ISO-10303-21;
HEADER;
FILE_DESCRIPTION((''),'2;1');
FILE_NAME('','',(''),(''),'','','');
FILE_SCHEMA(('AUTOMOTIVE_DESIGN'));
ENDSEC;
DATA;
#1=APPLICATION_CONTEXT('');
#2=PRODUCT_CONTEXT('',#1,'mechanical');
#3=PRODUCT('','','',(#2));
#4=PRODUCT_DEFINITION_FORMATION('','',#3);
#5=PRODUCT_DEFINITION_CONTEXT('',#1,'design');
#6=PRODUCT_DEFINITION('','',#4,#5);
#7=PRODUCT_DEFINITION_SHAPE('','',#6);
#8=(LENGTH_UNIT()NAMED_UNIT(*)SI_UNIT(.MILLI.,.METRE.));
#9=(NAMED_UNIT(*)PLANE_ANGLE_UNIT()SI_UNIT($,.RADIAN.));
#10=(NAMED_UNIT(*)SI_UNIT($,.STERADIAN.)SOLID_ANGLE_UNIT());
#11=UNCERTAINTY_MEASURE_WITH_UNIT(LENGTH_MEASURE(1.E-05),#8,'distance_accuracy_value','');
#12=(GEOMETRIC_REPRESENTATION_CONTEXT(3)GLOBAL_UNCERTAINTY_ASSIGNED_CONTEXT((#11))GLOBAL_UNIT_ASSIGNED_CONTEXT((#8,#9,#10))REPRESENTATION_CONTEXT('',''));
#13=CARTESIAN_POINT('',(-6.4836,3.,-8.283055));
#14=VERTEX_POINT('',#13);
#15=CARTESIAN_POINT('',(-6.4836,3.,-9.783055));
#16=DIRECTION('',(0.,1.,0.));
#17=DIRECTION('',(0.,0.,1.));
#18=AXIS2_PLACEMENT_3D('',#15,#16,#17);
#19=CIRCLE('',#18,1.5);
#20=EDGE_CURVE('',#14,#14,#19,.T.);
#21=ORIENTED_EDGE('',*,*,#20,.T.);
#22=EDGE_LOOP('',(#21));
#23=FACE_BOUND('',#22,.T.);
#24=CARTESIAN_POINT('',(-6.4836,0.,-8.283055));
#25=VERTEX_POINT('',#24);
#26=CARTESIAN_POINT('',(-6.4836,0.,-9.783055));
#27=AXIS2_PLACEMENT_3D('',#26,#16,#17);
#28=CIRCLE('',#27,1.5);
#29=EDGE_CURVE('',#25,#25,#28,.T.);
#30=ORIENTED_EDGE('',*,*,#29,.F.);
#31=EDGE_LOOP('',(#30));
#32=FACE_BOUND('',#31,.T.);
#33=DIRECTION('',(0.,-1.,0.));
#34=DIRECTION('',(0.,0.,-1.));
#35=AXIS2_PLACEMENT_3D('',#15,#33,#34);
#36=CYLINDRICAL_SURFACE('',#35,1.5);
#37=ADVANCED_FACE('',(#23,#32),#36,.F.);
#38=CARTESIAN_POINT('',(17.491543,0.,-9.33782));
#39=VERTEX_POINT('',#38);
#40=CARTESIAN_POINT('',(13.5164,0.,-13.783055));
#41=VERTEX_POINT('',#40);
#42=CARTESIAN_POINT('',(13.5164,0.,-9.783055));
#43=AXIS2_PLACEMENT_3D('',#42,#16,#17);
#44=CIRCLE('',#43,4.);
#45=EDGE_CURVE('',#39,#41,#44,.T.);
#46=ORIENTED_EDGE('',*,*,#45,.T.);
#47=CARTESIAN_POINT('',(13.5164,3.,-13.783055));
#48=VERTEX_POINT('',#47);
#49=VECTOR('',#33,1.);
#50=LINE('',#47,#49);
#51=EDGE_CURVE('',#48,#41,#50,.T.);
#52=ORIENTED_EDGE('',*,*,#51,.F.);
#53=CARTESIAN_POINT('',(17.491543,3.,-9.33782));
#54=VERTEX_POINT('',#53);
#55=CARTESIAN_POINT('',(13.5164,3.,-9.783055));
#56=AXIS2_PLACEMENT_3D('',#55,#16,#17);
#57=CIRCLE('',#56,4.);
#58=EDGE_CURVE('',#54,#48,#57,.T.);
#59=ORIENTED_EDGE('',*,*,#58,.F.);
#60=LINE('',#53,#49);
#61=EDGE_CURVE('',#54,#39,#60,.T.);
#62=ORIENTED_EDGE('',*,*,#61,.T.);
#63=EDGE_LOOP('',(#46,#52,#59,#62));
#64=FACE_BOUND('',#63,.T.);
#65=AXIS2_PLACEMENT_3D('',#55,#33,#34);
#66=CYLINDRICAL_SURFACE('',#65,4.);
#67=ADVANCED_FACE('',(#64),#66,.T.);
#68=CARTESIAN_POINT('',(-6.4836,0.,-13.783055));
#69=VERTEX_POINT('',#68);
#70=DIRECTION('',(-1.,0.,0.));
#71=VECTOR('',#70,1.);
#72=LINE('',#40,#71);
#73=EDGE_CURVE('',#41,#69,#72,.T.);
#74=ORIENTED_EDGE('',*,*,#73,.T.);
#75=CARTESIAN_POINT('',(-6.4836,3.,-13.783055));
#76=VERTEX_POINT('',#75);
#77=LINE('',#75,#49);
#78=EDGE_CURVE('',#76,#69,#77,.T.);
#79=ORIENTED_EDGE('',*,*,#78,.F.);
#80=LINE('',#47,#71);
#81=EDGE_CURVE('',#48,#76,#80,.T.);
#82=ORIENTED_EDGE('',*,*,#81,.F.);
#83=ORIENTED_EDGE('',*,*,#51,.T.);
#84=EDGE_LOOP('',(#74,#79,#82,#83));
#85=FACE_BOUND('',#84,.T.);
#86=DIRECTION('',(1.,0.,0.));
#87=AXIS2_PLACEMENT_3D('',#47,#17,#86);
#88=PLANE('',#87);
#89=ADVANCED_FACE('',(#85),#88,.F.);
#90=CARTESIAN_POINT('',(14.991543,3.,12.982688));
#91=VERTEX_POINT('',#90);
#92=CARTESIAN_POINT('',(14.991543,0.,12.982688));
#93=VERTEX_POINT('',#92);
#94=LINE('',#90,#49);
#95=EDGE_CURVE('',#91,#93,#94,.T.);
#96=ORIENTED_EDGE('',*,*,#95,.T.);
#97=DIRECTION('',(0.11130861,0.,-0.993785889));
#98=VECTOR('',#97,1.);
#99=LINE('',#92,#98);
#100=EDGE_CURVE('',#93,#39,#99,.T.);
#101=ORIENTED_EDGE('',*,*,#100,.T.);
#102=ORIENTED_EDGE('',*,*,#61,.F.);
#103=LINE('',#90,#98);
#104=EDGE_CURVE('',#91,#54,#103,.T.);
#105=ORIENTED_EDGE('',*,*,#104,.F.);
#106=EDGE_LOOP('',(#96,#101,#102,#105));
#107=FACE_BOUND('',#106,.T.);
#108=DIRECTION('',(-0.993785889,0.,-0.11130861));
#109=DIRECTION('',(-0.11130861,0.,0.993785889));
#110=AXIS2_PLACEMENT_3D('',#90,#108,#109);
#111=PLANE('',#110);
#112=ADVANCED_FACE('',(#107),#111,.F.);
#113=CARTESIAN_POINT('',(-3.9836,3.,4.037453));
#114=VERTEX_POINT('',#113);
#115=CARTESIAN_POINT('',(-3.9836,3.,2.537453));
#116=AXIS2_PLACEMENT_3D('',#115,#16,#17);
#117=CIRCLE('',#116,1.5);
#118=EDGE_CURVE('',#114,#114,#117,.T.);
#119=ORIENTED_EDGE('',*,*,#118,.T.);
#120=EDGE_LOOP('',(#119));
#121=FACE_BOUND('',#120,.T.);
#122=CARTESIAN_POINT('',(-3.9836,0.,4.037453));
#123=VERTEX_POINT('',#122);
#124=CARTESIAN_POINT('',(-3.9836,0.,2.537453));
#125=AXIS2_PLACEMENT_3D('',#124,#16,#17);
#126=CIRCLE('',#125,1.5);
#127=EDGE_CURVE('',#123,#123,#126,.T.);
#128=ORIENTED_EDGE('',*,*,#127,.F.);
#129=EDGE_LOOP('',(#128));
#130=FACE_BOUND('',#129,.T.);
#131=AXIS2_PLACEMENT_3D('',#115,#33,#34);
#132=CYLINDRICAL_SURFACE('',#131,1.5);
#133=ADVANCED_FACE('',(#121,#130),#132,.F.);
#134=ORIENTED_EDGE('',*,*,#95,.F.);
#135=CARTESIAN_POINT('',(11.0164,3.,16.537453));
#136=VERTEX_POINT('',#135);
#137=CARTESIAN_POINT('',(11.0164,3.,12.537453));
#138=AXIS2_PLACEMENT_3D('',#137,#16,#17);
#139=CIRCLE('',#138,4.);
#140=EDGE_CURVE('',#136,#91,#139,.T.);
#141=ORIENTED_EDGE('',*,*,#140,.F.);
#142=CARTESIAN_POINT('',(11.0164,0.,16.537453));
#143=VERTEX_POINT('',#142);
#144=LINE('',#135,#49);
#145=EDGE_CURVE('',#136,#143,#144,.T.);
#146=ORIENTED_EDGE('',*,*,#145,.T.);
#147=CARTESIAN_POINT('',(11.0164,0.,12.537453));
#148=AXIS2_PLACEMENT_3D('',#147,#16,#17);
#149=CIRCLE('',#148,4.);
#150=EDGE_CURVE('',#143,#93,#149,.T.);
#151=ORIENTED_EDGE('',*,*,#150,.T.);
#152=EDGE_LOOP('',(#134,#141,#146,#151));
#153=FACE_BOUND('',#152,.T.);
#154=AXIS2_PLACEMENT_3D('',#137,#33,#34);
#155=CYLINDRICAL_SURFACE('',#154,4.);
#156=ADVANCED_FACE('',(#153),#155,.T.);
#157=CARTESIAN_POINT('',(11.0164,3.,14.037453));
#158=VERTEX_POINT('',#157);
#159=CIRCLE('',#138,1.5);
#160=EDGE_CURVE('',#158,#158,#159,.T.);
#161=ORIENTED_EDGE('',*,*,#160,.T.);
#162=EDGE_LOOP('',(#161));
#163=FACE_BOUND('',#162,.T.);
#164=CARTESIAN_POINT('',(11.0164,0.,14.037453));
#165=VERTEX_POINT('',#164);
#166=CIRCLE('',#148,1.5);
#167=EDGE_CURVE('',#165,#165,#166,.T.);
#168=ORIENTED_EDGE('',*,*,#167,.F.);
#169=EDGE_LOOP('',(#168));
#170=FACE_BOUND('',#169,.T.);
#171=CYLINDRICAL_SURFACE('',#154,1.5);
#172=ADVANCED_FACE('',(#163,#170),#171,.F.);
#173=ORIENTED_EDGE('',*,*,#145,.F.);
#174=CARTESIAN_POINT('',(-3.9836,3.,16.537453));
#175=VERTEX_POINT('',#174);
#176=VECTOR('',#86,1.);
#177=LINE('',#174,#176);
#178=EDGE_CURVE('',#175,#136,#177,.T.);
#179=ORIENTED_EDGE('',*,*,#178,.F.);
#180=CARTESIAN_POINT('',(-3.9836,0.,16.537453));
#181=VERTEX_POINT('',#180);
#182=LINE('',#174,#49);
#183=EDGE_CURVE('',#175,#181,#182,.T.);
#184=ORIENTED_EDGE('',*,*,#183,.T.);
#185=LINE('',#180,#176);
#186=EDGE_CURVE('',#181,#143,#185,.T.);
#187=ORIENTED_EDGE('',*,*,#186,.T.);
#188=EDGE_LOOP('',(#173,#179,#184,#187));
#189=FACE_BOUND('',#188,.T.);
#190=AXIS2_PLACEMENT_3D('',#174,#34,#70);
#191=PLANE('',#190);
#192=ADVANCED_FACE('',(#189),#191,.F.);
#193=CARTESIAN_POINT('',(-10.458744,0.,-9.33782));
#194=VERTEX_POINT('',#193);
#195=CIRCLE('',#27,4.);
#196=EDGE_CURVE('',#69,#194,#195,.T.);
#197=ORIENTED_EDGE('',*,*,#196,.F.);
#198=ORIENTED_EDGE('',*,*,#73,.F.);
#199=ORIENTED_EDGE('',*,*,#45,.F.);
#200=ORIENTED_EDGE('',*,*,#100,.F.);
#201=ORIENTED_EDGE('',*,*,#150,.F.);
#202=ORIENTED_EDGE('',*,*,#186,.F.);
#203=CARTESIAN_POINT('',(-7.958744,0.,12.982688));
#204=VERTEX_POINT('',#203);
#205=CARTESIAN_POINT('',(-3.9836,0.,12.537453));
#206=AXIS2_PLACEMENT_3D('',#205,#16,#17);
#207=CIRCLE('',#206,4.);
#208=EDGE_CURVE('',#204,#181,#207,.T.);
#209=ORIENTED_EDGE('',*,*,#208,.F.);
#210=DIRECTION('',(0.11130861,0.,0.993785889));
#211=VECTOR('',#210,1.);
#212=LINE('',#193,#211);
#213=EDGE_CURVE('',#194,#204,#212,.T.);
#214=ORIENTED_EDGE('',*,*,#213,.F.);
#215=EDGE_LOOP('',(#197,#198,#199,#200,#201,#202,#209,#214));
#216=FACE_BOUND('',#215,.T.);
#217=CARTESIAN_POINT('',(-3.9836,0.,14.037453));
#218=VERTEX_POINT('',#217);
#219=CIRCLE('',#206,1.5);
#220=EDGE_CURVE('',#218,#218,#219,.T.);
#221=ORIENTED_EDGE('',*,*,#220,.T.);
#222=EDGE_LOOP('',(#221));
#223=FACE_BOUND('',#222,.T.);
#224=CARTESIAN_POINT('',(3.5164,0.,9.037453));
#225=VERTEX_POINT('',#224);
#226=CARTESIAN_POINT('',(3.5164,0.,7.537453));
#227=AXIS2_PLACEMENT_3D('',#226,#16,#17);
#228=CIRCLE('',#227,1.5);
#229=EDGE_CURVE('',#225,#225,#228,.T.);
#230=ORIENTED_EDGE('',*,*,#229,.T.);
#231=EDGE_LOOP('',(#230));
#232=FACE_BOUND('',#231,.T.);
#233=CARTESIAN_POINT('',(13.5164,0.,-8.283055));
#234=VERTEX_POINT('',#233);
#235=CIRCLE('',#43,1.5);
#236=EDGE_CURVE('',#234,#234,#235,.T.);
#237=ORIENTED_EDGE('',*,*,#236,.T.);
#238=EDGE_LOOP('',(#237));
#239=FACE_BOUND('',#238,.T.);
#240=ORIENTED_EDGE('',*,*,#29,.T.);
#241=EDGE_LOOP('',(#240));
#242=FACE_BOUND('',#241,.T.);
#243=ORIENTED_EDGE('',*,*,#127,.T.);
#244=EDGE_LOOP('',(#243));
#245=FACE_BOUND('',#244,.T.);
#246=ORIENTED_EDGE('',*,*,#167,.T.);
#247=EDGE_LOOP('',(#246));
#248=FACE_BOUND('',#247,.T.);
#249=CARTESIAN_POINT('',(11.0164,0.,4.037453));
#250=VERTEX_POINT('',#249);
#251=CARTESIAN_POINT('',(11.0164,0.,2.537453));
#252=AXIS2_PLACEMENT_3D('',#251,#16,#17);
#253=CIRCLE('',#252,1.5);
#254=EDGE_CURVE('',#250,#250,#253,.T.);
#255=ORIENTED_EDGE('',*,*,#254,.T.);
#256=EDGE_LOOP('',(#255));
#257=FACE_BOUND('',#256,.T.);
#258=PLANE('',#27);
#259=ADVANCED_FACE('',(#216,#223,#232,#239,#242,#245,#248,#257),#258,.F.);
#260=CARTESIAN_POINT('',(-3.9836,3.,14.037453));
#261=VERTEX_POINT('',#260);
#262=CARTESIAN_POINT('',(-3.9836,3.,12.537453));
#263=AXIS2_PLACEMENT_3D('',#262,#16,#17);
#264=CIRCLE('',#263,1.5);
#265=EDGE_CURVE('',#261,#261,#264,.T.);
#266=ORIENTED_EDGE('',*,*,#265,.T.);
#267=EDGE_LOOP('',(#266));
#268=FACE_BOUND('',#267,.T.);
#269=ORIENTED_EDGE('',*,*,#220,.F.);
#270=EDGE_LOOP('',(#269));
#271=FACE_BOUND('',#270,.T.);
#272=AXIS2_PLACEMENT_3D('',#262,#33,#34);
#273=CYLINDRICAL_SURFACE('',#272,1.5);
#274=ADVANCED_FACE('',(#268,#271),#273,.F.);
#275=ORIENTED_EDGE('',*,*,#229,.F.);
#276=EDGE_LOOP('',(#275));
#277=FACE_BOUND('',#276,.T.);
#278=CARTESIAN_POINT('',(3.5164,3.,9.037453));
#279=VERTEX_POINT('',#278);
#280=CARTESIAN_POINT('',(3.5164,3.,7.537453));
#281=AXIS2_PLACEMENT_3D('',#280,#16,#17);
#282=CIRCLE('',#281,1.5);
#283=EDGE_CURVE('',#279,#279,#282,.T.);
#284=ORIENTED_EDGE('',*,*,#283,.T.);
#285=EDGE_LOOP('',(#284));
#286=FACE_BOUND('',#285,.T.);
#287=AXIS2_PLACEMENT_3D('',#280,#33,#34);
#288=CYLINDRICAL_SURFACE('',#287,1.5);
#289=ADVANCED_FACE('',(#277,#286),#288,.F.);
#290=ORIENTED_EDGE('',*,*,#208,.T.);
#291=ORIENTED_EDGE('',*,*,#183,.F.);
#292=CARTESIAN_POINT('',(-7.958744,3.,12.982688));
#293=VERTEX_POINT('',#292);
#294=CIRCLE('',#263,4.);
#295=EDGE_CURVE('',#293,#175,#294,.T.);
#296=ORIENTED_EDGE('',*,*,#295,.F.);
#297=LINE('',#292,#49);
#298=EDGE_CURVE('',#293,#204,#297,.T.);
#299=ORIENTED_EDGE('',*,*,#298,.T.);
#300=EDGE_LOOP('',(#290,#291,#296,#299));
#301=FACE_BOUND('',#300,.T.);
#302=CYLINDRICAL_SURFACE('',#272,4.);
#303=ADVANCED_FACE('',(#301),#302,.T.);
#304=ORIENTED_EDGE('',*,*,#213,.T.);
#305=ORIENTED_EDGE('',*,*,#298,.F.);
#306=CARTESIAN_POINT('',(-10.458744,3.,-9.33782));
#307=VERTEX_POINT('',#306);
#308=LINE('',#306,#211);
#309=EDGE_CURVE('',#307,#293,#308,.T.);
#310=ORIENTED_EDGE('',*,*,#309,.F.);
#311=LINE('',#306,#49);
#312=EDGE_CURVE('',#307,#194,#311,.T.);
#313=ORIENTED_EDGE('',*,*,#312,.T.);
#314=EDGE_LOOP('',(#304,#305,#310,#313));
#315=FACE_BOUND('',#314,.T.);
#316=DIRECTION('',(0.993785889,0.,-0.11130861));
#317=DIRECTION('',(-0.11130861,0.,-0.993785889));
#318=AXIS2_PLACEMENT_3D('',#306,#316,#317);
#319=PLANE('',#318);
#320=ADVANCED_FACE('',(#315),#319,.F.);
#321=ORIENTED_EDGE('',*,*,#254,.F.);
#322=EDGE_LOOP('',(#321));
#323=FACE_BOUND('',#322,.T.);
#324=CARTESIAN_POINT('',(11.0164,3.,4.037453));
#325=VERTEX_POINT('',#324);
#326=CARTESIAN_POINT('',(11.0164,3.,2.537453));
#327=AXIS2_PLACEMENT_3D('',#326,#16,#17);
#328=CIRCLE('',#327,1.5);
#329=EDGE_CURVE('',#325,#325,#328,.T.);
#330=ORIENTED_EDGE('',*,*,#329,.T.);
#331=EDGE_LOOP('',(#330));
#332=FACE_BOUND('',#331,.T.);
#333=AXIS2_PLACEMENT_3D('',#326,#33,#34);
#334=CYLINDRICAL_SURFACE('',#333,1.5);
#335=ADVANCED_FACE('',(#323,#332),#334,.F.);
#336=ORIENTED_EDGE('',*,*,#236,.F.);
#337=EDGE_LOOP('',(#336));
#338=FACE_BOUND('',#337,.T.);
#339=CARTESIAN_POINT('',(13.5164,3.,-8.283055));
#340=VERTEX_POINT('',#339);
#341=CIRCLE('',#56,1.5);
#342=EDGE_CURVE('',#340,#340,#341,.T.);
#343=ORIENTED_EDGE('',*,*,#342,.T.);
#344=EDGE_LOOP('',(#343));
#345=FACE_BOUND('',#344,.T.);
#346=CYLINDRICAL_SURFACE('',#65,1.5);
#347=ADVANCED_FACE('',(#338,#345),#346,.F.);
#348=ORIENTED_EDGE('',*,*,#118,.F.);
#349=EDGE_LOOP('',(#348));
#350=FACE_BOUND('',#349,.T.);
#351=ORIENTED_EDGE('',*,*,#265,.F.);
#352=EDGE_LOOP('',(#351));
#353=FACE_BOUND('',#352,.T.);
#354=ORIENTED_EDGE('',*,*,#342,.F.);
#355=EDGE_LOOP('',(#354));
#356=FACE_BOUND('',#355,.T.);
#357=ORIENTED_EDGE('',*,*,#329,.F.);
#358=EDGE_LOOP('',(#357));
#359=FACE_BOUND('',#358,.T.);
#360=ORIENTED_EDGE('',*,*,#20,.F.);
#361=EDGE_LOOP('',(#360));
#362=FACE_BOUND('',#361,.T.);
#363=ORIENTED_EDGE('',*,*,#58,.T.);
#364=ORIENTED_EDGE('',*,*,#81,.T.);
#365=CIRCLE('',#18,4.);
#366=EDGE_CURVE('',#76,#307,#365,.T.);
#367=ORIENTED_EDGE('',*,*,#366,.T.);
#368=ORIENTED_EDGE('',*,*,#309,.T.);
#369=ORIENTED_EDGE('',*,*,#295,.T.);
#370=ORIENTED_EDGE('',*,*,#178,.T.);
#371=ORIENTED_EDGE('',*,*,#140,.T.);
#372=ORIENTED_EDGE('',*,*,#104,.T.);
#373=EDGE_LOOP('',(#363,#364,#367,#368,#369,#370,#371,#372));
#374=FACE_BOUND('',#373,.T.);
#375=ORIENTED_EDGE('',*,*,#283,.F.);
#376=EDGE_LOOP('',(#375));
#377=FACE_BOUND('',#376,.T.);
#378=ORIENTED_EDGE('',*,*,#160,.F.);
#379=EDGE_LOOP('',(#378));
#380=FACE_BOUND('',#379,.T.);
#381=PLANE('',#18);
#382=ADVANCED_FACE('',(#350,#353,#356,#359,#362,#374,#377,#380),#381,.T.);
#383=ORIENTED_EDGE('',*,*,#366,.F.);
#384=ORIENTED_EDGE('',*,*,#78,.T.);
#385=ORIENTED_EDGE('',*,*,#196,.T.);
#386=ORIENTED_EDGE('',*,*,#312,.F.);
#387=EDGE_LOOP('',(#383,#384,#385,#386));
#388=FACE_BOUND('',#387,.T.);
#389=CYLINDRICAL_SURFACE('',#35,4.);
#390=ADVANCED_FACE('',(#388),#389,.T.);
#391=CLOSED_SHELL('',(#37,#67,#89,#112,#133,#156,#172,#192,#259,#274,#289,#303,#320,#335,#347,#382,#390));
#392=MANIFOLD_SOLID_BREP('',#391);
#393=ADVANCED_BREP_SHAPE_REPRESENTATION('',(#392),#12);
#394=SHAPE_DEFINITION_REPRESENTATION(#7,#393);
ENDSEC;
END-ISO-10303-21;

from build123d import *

# Parameters (mm, degrees)
SKETCH1_R           = 1.5
BOSS_EXTRUDE1_DEPTH = 3


with BuildPart() as part:
    # Sketch1 → Boss-Extrude1 (new body)
    with BuildSketch(Plane(origin=(0, 0, 0), x_dir=(1, 0, 0), z_dir=(0, 1, 0))):
        with BuildLine():
            Line((-10.458743839, 9.337820174), (-7.958743839, -12.982687901))
            ThreePointArc((-7.958743839, -12.982687901), (-6.649970685, -15.519142393), (-3.983600283, -16.537453462))
            Line((-3.983600283, -16.537453462), (11.016399717, -16.537453462))
            ThreePointArc((11.016399717, -16.537453462), (13.68277012, -15.519142393), (14.991543274, -12.982687901))
            Line((14.991543274, -12.982687901), (17.491543274, 9.337820174))
            ThreePointArc((17.491543274, 9.337820174), (16.498088648, 12.449425016), (13.516399717, 13.783054613))
            Line((13.516399717, 13.783054613), (-6.483600283, 13.783054613))
            ThreePointArc((-6.483600283, 13.783054613), (-9.465289213, 12.449425016), (-10.458743839, 9.337820174))
        make_face()
        with Locations((-3.983600283, -12.537453462)):
            Circle(SKETCH1_R, mode=Mode.SUBTRACT)
        with Locations((11.016399717, -12.537453462)):
            Circle(SKETCH1_R, mode=Mode.SUBTRACT)
        with Locations((3.516399717, -7.537453462)):
            Circle(SKETCH1_R, mode=Mode.SUBTRACT)
        with Locations((11.016399717, -2.537453462)):
            Circle(SKETCH1_R, mode=Mode.SUBTRACT)
        with Locations((-3.983600283, -2.537453462)):
            Circle(SKETCH1_R, mode=Mode.SUBTRACT)
        with Locations((13.516399717, 9.783054613)):
            Circle(SKETCH1_R, mode=Mode.SUBTRACT)
        with Locations((-6.483600283, 9.783054613)):
            Circle(SKETCH1_R, mode=Mode.SUBTRACT)
    extrude(amount=BOSS_EXTRUDE1_DEPTH)


solid = part.part
